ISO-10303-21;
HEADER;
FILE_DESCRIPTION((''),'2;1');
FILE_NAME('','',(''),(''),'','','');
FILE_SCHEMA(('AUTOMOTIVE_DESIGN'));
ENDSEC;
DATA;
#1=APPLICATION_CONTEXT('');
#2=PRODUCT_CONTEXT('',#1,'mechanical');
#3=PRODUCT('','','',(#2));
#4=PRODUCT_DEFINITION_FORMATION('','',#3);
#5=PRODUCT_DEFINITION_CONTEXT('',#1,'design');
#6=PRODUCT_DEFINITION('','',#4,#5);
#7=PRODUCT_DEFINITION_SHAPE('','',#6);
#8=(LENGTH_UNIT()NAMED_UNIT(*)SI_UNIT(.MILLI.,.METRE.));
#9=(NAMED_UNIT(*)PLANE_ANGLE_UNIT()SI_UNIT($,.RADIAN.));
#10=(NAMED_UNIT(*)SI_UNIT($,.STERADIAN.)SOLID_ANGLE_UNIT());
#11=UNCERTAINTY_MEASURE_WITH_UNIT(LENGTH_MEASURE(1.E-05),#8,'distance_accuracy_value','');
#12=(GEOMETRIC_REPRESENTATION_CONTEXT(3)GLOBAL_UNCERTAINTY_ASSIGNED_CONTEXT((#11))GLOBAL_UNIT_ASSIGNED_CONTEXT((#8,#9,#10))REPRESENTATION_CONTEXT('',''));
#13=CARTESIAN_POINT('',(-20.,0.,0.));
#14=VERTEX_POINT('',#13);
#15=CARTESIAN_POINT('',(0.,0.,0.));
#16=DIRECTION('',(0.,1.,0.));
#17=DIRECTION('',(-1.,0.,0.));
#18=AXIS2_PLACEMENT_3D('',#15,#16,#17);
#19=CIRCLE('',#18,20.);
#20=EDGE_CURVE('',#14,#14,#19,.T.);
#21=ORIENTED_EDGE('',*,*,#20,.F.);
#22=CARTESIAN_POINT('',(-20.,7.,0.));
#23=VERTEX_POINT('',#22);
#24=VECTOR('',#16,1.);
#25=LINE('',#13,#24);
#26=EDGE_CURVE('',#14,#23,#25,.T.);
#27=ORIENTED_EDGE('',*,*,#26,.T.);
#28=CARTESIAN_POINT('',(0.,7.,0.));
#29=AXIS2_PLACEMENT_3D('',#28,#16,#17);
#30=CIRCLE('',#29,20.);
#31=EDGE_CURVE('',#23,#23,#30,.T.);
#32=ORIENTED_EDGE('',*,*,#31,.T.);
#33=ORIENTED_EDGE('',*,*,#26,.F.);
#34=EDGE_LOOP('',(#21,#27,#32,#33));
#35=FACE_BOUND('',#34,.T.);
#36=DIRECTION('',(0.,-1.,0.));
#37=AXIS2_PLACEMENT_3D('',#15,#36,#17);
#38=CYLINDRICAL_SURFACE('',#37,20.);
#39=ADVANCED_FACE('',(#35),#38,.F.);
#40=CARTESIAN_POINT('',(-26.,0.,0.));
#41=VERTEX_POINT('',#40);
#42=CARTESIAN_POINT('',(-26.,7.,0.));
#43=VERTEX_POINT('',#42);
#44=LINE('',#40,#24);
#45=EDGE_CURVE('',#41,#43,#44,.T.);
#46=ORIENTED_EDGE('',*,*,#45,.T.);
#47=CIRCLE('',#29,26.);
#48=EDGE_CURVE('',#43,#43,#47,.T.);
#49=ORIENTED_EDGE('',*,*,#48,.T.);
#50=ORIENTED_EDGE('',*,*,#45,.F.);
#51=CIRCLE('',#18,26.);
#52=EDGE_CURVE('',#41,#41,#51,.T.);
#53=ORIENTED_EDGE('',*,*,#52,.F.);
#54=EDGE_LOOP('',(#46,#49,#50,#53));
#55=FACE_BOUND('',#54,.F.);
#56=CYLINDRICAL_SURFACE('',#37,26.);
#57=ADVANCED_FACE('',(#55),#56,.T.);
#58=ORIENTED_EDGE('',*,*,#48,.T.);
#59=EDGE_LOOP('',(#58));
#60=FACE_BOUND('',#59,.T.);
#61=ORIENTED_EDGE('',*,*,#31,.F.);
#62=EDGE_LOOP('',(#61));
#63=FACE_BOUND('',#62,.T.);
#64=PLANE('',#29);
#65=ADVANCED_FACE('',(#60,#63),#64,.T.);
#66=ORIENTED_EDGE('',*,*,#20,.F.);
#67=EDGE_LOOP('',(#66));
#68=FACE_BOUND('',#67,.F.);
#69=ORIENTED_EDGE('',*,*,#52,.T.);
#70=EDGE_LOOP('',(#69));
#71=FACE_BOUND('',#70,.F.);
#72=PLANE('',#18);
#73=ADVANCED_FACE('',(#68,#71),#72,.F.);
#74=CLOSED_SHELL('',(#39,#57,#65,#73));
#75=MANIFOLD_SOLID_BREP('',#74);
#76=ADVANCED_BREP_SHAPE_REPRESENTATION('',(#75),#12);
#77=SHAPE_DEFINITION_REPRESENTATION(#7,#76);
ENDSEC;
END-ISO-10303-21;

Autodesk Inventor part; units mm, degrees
ref_plane "YZ Plane" through (0, 0, 0) normal (1, 0, 0) x (0, 1, 0)
ref_plane "XZ Plane" through (0, 0, 0) normal (0, 1, 0) x (-1, 0, 0)
ref_plane "XY Plane" through (0, 0, 0) normal (0, 0, 1) x (1, 0, 0)
sketch "Sketch1" plane through (0, 0, 0) normal (0, 1, 0) x (-1, 0, 0)
  circle A0 centre (0, 0) radius 26
  circle A1 centre (0, 0) radius 20
  dimension "d0" = 52
  dimension "d1" = 40
extrude "Extrusion1" add sketch "Sketch1" along normal blind 7
properties part number "bearing_52_40_7"
